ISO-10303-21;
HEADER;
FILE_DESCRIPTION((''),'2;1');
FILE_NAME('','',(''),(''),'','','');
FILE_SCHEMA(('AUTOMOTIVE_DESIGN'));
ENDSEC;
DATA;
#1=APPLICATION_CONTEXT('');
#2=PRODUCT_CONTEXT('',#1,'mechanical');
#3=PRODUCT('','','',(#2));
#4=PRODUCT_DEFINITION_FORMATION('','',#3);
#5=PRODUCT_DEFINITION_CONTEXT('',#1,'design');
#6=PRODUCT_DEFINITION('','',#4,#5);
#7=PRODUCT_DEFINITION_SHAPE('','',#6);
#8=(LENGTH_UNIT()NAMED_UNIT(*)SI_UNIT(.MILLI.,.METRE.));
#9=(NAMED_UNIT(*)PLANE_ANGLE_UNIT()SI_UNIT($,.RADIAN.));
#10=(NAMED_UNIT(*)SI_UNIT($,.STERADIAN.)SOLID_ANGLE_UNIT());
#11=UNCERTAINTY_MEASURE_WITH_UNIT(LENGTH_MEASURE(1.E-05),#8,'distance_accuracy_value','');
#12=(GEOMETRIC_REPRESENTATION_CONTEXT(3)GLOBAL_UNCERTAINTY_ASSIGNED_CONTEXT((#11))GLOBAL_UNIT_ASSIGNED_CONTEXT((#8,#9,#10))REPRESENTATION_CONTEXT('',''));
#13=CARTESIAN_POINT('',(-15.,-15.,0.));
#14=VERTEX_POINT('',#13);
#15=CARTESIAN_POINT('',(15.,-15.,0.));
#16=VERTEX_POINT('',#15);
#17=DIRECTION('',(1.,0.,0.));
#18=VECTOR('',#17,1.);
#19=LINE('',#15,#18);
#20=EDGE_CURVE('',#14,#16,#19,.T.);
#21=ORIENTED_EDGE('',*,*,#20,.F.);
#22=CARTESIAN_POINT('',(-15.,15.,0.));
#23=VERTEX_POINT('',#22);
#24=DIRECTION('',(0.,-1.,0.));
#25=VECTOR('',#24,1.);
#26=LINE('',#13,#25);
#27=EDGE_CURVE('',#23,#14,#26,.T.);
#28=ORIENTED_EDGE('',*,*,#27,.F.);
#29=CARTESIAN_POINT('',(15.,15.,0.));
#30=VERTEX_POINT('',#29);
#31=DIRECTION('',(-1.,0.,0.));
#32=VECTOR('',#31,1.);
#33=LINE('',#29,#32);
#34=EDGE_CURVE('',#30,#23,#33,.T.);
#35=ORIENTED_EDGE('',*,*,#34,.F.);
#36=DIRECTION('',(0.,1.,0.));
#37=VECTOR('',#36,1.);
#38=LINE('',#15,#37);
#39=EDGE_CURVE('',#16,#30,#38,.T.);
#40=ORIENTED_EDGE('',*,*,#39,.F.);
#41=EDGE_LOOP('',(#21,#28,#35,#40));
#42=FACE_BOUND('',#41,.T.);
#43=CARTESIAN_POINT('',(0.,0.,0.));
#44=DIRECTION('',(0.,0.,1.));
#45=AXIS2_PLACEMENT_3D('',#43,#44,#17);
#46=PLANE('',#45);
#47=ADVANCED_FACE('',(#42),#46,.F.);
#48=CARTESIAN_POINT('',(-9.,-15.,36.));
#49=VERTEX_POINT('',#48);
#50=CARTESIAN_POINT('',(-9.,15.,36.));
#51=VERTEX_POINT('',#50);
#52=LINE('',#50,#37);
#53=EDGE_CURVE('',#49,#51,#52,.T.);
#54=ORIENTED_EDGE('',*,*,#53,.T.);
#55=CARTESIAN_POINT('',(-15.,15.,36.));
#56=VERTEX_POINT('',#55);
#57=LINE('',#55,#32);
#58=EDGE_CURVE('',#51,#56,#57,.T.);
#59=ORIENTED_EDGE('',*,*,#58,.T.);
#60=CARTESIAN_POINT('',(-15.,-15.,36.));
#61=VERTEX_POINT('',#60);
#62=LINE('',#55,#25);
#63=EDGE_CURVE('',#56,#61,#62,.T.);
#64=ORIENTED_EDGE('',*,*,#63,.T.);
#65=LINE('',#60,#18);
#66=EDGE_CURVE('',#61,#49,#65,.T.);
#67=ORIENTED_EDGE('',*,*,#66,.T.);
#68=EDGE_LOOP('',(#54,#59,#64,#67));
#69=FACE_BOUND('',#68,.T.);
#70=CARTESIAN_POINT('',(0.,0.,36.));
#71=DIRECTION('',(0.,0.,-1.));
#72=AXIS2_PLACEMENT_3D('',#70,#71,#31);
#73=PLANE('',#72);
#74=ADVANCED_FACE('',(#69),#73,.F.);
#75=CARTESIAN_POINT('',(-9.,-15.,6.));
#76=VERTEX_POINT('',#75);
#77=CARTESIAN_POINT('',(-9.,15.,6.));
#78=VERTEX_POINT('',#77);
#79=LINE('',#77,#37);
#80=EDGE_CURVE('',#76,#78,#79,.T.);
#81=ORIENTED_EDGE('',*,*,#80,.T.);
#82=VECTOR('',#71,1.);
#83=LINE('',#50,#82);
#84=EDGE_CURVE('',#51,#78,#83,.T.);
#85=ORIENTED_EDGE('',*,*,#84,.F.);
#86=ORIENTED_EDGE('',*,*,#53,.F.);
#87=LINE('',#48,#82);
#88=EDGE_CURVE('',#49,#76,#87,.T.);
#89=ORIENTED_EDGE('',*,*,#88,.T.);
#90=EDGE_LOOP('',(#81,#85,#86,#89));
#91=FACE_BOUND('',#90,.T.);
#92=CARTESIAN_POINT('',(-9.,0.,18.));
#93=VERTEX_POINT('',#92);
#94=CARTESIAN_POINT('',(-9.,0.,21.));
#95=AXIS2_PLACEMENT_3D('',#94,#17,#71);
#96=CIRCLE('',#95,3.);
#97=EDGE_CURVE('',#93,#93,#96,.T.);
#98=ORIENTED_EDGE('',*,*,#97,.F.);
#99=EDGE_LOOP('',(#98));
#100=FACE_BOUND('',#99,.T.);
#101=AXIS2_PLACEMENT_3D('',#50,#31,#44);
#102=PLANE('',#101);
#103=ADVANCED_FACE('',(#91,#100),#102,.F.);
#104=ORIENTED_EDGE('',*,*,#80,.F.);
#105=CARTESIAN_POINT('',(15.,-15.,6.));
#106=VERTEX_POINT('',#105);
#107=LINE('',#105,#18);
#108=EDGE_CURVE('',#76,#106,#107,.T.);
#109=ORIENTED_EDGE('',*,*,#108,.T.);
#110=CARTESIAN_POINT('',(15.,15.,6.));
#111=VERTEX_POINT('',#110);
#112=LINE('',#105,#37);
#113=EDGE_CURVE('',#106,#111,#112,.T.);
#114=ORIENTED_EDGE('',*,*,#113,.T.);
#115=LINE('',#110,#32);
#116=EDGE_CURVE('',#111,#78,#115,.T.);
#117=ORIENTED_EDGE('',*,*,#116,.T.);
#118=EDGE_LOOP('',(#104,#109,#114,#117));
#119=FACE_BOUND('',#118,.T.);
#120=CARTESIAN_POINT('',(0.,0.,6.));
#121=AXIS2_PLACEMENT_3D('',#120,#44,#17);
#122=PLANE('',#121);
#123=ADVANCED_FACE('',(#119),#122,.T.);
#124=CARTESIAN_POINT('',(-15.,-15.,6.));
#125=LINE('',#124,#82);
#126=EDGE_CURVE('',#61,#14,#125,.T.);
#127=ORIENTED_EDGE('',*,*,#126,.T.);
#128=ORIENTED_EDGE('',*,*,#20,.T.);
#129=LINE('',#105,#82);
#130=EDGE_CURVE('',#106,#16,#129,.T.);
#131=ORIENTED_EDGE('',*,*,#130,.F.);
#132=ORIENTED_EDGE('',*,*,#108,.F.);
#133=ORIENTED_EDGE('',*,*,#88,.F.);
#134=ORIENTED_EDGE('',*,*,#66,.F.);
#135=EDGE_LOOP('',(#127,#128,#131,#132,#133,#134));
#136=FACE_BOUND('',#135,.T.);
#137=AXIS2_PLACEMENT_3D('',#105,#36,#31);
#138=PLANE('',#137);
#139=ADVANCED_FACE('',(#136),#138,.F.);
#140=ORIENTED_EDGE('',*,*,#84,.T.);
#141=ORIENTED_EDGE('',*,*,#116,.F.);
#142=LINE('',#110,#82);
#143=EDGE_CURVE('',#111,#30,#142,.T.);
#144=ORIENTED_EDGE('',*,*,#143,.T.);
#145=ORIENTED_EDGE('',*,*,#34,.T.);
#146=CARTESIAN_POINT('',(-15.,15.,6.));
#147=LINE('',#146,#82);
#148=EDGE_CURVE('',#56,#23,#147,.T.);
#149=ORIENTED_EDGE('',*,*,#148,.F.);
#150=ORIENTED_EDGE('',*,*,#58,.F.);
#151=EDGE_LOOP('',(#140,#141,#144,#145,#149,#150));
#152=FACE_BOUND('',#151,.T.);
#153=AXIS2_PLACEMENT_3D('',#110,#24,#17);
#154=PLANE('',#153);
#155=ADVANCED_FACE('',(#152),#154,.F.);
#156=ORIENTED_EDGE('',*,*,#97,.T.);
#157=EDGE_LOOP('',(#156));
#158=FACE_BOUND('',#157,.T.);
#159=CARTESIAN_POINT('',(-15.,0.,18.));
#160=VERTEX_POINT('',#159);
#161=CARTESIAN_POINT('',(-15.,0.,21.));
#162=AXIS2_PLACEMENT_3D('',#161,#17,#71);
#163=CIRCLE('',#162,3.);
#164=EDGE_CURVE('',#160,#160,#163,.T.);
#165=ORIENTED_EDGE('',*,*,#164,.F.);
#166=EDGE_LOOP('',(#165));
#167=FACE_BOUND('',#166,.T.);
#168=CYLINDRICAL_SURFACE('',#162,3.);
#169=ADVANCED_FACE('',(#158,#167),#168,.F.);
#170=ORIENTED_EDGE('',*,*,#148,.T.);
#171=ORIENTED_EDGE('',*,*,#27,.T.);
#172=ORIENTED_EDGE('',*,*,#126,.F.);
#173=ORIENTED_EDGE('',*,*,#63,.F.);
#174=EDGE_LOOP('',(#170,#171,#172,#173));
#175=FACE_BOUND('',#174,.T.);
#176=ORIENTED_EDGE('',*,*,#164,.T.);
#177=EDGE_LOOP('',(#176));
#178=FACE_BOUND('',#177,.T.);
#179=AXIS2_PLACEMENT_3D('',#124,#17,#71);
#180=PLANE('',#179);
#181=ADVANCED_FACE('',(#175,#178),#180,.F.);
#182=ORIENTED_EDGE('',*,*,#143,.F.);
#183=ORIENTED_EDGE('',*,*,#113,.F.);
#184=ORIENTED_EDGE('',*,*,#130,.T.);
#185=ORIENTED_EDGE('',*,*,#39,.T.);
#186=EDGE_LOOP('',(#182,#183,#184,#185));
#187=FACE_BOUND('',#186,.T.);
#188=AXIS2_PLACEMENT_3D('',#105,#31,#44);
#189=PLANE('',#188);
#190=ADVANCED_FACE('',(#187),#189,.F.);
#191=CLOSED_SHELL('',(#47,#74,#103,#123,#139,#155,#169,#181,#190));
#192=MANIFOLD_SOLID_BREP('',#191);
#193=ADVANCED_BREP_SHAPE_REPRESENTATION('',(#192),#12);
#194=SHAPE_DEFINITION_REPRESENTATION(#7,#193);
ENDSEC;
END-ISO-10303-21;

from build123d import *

# Parameters (mm, degrees)
SKETCH1_W           = 30
SKETCH1_H           = 30
BOSS_EXTRUDE1_DEPTH = 6
SKETCH2_W           = 6
SKETCH2_H           = 30
BOSS_EXTRUDE2_DEPTH = 30
SKETCH3_R           = 3
CUT_EXTRUDE1_DEPTH  = 46.793012567


with BuildPart() as part:
    # Sketch1 → Boss-Extrude1 (new body)
    with BuildSketch(Plane.XY):
        Rectangle(SKETCH1_W, SKETCH1_H)
    extrude(amount=BOSS_EXTRUDE1_DEPTH)

    # Sketch2 → Boss-Extrude2 (add)
    with BuildSketch(Plane.XY.offset(6)):
        with Locations((-12, 0)):
            Rectangle(SKETCH2_W, SKETCH2_H)
    extrude(amount=BOSS_EXTRUDE2_DEPTH)

    # Sketch3 → Cut-Extrude1 (cut, through all)
    with BuildSketch(Plane(origin=(-9, 0, 0), x_dir=(0, 0, -1), z_dir=(1, 0, 0))):
        with Locations((-21, 0)):
            Circle(SKETCH3_R)
    extrude(amount=-CUT_EXTRUDE1_DEPTH, mode=Mode.SUBTRACT)


solid = part.part
